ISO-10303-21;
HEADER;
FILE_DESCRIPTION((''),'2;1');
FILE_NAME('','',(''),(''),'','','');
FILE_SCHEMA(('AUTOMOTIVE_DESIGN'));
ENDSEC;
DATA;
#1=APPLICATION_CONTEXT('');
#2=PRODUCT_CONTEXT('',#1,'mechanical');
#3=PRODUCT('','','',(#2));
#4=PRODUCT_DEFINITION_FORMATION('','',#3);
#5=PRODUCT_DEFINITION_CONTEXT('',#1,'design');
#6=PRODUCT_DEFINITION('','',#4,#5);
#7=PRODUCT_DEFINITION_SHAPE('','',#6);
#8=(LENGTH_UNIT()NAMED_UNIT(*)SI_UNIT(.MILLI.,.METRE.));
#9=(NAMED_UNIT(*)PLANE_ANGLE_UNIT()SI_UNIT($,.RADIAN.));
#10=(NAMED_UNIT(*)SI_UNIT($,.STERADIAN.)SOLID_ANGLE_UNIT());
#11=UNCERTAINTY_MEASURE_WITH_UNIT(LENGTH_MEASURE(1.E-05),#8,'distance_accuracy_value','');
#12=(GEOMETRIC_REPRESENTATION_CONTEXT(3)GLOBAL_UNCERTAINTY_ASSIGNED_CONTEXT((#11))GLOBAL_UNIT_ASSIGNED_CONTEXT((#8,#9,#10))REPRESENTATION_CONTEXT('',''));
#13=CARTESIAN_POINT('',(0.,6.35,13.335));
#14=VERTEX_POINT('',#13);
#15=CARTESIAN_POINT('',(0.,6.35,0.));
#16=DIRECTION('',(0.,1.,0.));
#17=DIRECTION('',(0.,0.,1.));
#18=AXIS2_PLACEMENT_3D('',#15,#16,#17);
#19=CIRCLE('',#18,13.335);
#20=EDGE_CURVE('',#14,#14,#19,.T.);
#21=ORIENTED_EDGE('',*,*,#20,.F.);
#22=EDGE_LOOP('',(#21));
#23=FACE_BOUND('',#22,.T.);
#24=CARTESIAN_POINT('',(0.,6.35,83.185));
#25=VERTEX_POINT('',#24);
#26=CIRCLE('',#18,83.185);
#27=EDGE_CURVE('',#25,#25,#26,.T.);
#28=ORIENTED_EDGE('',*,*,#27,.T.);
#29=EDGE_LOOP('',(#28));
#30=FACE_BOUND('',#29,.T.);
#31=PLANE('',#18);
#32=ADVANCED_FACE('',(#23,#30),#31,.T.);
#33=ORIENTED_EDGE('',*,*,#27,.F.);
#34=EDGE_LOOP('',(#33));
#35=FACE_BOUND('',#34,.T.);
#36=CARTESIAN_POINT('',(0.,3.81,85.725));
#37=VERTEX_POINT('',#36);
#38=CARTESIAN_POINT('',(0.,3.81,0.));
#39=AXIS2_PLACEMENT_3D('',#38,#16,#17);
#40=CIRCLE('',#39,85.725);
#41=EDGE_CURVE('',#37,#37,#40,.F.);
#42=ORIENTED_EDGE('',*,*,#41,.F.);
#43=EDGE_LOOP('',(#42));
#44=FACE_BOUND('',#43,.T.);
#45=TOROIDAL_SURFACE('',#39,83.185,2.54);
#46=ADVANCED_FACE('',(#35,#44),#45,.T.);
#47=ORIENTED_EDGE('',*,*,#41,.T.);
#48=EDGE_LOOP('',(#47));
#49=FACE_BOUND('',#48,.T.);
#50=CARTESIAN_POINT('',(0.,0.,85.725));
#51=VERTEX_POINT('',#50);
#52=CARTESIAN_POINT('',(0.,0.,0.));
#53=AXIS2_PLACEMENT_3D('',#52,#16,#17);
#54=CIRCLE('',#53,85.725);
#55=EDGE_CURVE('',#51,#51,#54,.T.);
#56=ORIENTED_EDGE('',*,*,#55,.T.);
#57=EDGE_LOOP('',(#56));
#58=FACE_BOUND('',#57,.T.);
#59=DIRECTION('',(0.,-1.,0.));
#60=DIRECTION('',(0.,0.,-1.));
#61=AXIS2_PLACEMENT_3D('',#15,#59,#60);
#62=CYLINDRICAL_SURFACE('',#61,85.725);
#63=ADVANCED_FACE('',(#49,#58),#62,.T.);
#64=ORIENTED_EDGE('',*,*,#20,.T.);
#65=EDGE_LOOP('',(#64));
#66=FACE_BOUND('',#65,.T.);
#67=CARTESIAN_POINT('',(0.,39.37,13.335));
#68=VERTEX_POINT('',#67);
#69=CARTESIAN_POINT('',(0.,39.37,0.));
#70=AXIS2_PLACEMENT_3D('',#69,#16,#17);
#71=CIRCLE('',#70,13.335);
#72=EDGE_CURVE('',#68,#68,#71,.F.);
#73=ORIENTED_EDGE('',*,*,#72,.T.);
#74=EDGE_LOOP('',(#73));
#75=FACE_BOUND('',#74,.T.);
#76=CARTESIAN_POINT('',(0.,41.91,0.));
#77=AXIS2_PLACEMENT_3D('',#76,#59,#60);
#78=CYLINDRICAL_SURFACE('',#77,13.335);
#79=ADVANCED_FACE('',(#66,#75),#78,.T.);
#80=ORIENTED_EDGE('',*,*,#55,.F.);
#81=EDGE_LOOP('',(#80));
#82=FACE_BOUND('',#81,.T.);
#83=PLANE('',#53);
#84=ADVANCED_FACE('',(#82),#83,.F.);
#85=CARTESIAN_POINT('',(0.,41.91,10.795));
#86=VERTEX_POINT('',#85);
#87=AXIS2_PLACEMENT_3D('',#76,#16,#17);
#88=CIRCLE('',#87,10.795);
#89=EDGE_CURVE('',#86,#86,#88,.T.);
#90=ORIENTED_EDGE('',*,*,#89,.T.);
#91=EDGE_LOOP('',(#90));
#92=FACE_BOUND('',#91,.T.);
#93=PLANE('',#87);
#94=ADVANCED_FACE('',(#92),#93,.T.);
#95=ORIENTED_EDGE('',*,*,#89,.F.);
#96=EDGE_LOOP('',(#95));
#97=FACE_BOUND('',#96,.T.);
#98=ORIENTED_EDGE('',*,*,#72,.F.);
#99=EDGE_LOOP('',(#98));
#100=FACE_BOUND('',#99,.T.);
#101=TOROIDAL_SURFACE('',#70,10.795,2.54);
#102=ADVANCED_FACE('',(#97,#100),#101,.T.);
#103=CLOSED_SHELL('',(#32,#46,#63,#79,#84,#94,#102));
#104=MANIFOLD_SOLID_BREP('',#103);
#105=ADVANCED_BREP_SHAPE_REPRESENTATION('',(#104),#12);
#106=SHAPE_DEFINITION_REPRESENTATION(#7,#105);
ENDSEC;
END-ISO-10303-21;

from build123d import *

# Parameters (mm, degrees)
SKETCH1_R           = 85.725
BOSS_EXTRUDE1_DEPTH = 6.35
SKETCH2_R           = 13.335
BOSS_EXTRUDE2_DEPTH = 35.56
FILLET1_R           = 2.54
FILLET2_R           = 2.54


with BuildPart() as part:
    # Sketch1 → Boss-Extrude1 (new body)
    with BuildSketch(Plane(origin=(0, 0, 0), x_dir=(1, 0, 0), z_dir=(0, 1, 0))):
        Circle(SKETCH1_R)
    extrude(amount=BOSS_EXTRUDE1_DEPTH)

    # Sketch2 → Boss-Extrude2 (add)
    with BuildSketch(Plane(origin=(0, 6.35, 0), x_dir=(1, 0, 0), z_dir=(0, 1, 0))):
        Circle(SKETCH2_R)
    extrude(amount=BOSS_EXTRUDE2_DEPTH)

    # Fillet1
    fillet1_edges = [part.edges().sort_by_distance(p)[0] for p in [
        (-13.335, 41.91, 0),
    ]]
    fillet(fillet1_edges, radius=FILLET1_R)

    # Fillet2
    fillet2_edges = [part.edges().sort_by_distance(p)[0] for p in [
        (-85.725, 6.35, 0),
    ]]
    fillet(fillet2_edges, radius=FILLET2_R)


solid = part.part
